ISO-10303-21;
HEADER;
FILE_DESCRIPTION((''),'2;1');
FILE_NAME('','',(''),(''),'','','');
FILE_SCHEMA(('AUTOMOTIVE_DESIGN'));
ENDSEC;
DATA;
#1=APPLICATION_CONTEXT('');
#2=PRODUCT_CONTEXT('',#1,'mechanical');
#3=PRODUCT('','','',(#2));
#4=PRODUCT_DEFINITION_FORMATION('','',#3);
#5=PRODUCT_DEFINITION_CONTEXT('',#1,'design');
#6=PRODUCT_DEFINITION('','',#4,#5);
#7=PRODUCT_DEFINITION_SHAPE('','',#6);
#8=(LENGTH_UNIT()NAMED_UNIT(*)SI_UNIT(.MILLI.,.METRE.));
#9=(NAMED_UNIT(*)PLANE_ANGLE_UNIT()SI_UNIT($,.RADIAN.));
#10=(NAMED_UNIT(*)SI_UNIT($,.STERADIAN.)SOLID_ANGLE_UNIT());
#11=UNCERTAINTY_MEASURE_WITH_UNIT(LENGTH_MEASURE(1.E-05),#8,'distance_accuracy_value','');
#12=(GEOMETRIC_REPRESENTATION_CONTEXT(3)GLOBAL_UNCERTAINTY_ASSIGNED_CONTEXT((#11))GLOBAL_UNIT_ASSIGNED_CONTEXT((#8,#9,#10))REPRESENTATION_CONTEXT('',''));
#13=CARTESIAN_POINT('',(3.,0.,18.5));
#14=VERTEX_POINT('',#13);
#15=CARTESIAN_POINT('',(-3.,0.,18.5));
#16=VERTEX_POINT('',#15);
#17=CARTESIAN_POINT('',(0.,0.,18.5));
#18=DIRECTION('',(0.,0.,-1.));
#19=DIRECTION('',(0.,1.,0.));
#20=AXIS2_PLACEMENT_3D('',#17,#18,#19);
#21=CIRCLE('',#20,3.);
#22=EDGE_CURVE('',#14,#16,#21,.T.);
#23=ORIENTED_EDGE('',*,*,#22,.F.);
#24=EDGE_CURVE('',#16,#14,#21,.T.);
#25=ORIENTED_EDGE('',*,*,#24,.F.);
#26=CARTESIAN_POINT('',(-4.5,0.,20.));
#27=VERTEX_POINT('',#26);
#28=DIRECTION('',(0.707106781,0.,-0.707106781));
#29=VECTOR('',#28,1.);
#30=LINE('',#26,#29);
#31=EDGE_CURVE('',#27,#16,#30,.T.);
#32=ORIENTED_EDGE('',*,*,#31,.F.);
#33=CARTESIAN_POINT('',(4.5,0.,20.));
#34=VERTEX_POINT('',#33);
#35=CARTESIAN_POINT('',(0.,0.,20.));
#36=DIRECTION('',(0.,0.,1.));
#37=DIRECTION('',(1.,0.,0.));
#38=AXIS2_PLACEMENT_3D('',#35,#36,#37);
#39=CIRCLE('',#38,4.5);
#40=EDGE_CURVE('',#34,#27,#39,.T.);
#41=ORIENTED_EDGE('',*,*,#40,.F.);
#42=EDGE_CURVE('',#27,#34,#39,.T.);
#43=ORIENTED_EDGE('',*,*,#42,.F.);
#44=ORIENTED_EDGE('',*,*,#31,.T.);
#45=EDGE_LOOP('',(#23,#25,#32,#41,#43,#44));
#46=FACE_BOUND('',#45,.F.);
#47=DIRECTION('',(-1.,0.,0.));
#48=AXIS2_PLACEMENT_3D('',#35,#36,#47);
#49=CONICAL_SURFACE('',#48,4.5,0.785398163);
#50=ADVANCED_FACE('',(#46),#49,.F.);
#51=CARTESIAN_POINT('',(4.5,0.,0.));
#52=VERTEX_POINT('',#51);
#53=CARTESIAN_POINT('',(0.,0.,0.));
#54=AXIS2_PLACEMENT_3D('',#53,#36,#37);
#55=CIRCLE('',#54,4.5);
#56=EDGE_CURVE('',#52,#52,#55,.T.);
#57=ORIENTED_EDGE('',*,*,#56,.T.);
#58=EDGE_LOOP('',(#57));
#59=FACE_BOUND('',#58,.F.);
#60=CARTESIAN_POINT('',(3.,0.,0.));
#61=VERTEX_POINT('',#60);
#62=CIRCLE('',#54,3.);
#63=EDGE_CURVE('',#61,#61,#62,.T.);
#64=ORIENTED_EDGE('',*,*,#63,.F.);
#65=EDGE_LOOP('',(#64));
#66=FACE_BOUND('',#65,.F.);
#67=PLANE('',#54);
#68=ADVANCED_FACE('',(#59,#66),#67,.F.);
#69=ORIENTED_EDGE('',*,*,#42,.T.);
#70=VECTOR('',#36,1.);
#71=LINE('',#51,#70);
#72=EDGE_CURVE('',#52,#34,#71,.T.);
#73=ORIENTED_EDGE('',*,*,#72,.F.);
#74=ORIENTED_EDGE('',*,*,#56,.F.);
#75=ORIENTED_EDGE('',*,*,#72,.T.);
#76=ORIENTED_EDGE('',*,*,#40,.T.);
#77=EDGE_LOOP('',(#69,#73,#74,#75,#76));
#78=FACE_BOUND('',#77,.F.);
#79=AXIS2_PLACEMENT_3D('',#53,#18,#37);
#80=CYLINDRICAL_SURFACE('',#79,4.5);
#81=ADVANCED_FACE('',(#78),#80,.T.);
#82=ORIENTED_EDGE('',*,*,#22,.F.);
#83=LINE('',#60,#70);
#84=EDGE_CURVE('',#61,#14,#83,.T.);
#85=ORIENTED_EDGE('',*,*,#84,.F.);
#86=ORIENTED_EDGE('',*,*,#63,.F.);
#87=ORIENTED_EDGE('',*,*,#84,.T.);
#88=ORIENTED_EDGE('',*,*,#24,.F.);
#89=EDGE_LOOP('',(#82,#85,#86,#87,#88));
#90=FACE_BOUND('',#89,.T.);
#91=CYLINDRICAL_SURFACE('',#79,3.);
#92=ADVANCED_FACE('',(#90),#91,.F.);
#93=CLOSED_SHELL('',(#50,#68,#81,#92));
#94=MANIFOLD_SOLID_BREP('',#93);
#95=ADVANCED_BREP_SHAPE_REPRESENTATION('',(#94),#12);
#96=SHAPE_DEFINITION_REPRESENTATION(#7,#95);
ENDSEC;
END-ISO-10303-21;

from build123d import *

# Parameters (mm, degrees)
F0_R           = 4.5
F0_R_2         = 3
F1_DEPTH       = 20
F3_D           = 6
F3_CSINK_D     = 9
F3_CSINK_ANGLE = 90


with BuildPart() as f1:
    # F0 (on Top) → F1 (new body)
    with BuildSketch(Plane.XY):
        Circle(F0_R)
        Circle(F0_R_2, mode=Mode.SUBTRACT)
    extrude(amount=F1_DEPTH)

    # F3 (through all)
    with Locations(Plane.XY.offset(20)):
        with Locations((0, 0)):
            CounterSinkHole(F3_D / 2, F3_CSINK_D / 2, counter_sink_angle=F3_CSINK_ANGLE)


solid = f1.part
